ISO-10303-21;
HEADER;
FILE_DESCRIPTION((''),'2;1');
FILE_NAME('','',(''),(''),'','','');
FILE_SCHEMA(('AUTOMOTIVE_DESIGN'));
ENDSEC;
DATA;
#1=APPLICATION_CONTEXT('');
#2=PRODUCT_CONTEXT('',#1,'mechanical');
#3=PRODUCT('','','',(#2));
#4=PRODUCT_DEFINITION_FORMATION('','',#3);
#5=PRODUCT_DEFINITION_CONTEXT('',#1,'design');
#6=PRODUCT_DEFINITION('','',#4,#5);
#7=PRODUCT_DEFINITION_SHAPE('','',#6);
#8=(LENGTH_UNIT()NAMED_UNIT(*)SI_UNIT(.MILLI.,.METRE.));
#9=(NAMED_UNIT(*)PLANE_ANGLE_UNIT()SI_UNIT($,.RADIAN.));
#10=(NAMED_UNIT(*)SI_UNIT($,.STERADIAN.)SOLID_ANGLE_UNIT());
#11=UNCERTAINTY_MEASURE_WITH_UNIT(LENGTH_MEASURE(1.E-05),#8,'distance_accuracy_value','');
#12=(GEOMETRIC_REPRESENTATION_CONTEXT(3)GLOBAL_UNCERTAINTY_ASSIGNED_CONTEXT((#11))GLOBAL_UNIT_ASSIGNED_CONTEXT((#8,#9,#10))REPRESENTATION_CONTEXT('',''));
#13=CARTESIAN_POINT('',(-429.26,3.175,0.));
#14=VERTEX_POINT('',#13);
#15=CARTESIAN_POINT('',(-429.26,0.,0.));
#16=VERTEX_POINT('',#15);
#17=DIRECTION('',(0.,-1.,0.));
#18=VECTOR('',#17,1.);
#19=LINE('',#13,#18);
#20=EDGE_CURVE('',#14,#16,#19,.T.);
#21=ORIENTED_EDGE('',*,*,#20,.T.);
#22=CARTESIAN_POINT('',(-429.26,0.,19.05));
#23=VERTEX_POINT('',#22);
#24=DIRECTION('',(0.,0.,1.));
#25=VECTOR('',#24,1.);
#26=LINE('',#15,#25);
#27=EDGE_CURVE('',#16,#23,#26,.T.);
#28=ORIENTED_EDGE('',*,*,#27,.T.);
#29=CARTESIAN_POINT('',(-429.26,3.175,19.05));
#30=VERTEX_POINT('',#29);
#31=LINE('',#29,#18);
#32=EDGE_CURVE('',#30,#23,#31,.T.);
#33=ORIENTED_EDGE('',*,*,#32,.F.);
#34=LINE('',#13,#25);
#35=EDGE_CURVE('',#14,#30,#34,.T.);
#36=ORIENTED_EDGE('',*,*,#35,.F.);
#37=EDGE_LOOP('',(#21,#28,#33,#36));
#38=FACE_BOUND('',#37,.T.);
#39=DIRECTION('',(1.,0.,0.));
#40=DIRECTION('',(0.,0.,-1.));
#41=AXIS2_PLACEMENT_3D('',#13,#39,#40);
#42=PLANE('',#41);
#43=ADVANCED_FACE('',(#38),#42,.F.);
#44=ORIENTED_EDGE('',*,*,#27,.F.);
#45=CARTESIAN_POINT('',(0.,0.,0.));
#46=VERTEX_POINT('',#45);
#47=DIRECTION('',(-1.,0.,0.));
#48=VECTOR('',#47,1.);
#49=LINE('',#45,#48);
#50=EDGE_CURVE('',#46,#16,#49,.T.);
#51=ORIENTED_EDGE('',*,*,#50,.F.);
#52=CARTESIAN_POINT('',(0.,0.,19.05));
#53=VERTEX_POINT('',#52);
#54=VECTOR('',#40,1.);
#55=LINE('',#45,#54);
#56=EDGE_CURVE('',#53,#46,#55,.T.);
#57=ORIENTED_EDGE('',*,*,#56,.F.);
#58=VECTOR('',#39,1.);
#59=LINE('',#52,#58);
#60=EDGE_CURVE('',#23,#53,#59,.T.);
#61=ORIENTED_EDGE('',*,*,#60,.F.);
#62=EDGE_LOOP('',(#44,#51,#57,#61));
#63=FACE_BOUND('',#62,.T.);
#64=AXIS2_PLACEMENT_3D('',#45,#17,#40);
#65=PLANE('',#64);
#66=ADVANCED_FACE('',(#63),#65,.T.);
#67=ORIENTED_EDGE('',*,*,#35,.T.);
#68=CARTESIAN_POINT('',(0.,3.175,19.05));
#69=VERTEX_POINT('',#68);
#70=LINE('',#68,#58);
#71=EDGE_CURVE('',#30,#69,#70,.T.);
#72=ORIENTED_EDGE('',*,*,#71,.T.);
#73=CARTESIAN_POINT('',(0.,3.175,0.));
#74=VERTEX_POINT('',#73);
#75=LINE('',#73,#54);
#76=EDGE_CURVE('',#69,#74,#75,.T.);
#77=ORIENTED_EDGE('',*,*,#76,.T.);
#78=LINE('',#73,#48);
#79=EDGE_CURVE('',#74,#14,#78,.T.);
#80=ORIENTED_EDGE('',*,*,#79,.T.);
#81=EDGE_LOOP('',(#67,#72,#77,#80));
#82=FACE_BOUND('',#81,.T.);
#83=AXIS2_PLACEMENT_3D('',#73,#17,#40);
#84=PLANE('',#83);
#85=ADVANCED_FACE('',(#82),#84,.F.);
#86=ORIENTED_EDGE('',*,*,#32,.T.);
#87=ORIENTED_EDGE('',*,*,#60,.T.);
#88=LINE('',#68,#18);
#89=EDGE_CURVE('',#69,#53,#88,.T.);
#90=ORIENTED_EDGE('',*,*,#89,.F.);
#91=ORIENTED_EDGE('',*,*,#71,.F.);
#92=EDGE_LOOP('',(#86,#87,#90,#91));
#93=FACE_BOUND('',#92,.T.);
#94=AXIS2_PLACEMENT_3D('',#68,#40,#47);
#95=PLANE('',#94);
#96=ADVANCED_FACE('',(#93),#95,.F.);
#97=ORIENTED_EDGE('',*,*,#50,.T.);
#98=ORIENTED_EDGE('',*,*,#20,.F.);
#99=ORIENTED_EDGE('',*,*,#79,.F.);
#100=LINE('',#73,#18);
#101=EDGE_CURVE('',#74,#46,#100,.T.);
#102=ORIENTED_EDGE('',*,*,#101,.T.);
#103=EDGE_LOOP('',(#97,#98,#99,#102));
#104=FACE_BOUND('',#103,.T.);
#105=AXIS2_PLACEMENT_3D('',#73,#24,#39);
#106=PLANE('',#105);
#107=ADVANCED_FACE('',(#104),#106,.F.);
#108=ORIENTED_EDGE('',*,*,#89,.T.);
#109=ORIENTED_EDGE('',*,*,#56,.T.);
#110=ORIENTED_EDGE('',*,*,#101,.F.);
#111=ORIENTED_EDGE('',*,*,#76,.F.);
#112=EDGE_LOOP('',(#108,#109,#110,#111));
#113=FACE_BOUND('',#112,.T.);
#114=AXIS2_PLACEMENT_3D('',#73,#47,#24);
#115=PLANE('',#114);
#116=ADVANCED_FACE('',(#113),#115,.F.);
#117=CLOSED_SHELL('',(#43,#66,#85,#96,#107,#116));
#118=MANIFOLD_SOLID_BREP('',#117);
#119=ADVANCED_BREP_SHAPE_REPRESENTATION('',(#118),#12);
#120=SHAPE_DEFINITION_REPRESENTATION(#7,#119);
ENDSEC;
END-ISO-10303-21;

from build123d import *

# Parameters (mm, degrees)
SKETCH7_W           = 429.26
SKETCH7_H           = 19.05
BOSS_EXTRUDE5_DEPTH = 3.175


with BuildPart() as part:
    # Sketch7 → Boss-Extrude5 (new body)
    with BuildSketch(Plane(origin=(0, 0, 0), x_dir=(1, 0, 0), z_dir=(0, 1, 0))):
        with Locations((-214.63, -9.525)):
            Rectangle(SKETCH7_W, SKETCH7_H)
    extrude(amount=BOSS_EXTRUDE5_DEPTH)


solid = part.part
